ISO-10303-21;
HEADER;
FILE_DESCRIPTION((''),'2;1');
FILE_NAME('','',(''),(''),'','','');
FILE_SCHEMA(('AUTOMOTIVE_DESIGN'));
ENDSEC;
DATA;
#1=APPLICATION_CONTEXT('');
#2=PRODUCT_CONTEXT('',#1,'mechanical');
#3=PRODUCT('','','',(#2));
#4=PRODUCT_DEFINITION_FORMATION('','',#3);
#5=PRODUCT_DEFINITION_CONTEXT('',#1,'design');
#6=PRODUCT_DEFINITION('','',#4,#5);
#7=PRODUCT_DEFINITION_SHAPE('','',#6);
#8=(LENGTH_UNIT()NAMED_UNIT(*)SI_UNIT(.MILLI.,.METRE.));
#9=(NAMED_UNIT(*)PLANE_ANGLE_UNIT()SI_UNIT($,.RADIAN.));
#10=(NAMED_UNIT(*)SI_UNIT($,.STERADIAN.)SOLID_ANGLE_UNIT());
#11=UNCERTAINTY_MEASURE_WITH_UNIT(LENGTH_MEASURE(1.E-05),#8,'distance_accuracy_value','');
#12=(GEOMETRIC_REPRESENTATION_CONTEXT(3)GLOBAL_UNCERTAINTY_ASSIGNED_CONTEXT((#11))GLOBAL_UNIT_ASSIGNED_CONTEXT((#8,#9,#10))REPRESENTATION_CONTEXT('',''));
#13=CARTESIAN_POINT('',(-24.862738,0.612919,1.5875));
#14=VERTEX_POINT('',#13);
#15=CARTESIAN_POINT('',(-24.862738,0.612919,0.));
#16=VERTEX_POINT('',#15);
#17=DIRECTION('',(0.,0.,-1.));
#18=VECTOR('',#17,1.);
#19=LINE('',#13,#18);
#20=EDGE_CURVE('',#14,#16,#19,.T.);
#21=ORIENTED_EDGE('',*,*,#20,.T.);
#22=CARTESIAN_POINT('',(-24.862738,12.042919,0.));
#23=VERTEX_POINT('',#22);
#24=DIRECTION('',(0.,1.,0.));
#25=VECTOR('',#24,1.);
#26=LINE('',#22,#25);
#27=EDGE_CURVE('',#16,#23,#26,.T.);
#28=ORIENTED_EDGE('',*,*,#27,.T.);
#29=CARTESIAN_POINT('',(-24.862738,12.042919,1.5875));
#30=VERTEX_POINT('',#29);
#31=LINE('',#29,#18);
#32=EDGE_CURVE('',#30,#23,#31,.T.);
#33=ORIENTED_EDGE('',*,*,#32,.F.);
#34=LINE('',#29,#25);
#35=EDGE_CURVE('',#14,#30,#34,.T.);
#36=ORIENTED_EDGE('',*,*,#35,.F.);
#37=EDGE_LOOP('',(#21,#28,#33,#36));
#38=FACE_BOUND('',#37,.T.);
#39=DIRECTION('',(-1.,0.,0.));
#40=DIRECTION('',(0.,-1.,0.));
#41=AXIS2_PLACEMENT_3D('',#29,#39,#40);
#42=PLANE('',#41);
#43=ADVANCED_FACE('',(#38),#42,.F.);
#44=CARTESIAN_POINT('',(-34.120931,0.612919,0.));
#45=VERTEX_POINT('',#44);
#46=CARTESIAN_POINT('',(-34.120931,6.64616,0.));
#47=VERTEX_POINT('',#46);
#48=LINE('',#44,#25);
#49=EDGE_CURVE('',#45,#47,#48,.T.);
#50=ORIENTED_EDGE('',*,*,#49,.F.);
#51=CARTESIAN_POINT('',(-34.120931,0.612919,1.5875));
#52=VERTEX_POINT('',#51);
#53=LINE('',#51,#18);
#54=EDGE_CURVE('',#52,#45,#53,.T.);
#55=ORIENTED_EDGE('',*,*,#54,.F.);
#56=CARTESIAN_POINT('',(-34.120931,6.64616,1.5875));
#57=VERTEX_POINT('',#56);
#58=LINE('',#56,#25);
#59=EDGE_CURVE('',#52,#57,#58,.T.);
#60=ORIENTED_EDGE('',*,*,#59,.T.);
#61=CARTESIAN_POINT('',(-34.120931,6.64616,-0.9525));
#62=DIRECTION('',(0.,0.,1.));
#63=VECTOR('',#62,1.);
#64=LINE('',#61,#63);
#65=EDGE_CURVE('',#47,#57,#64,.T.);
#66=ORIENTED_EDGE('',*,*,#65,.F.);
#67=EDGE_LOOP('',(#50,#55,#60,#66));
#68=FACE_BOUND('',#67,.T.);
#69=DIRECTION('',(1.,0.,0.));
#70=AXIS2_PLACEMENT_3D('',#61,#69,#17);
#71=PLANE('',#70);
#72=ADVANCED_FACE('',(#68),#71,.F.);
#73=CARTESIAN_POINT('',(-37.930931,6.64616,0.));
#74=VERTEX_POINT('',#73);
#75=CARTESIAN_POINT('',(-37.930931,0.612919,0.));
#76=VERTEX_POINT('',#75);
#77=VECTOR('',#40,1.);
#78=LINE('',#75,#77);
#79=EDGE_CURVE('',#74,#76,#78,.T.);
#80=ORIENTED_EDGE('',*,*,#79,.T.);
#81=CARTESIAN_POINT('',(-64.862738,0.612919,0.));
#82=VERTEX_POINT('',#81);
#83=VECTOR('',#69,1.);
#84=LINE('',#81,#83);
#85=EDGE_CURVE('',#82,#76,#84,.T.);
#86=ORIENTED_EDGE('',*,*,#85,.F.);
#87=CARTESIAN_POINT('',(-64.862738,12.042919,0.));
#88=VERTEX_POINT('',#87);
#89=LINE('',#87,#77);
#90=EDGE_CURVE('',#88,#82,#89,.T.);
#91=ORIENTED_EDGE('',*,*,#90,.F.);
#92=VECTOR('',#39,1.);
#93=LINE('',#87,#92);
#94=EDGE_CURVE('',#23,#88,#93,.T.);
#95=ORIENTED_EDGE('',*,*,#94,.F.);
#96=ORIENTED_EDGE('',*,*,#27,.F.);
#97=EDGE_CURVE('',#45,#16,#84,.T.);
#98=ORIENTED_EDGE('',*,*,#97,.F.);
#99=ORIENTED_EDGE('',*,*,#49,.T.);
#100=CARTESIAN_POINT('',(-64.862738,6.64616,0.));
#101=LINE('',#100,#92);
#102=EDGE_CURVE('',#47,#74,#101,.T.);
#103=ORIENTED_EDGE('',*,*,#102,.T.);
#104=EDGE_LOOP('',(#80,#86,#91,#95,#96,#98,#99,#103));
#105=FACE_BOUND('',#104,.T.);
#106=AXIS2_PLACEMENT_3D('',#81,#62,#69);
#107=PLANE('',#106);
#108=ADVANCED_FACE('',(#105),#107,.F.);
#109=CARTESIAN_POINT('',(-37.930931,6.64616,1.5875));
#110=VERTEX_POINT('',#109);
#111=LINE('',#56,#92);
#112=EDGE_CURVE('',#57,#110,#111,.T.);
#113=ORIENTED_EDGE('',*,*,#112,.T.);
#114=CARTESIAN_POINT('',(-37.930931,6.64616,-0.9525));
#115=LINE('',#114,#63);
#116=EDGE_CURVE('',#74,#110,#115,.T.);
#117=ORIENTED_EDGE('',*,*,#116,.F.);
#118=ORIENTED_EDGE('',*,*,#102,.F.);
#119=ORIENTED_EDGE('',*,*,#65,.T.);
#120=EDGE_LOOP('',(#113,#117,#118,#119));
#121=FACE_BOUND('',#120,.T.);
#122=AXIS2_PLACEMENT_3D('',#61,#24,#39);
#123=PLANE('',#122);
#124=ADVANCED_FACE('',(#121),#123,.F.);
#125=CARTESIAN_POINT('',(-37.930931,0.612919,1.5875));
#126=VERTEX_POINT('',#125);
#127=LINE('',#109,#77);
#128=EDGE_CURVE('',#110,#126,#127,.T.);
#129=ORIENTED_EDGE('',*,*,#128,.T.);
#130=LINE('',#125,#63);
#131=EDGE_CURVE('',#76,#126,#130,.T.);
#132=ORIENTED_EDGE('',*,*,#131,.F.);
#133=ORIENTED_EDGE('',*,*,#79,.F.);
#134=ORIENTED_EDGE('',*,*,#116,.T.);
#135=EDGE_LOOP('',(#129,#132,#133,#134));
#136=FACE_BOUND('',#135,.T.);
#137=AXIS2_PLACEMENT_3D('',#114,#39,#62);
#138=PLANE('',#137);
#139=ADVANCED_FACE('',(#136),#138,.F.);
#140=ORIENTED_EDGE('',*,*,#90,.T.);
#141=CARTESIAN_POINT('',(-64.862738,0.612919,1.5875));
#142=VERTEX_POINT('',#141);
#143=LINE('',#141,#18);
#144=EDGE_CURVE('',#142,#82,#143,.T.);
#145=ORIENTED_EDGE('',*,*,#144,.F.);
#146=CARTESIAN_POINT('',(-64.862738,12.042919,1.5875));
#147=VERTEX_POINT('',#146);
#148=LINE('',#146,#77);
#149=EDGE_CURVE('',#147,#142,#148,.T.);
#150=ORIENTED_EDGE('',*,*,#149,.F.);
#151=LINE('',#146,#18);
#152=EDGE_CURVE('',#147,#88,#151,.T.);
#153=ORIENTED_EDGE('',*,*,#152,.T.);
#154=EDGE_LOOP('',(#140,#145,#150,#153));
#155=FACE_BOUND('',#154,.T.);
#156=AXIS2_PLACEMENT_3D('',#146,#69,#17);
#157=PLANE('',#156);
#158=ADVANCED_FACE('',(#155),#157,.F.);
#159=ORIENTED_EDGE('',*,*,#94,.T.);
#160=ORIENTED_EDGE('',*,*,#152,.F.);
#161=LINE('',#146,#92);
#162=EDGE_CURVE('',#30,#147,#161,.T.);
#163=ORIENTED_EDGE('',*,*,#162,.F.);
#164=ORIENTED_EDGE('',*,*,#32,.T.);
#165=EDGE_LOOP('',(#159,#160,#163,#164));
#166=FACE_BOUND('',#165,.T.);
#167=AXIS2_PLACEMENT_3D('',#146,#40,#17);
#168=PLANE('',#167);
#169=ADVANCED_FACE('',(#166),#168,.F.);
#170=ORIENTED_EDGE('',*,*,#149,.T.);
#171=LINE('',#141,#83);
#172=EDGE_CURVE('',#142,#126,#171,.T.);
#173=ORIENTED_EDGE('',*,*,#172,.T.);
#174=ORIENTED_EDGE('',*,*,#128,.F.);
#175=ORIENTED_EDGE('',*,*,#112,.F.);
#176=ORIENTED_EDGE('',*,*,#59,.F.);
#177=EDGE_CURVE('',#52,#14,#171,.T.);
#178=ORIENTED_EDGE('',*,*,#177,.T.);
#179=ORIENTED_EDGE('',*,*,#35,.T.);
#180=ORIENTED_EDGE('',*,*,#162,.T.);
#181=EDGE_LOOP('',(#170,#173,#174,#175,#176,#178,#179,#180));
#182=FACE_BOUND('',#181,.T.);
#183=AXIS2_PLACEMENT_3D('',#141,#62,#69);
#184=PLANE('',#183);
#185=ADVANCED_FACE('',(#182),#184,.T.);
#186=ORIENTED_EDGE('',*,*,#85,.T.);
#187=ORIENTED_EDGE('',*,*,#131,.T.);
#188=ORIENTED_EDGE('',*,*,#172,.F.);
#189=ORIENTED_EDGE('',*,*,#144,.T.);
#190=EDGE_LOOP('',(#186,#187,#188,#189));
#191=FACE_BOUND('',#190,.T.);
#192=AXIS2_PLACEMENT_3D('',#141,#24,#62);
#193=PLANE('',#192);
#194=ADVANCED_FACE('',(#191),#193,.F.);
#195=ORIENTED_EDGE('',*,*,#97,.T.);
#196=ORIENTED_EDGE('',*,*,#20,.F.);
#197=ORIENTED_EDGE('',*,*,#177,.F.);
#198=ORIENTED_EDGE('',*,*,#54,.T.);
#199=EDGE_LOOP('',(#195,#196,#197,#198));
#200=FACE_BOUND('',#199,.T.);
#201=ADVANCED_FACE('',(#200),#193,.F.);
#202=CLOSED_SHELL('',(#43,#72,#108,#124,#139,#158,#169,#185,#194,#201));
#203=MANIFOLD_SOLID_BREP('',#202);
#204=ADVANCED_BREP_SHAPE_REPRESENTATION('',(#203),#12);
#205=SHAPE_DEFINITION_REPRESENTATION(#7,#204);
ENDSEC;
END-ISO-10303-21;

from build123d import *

# Parameters (mm, degrees)
SKETCH1_W           = 40
SKETCH1_H           = 11.43
BOSS_EXTRUDE1_DEPTH = 1.5875
SKETCH2_W           = 3.81
SKETCH2_H           = 6.305748899
CUT_EXTRUDE1_DEPTH  = 2.54


with BuildPart() as part:
    # Sketch1 → Boss-Extrude1 (new body)
    with BuildSketch(Plane.XY):
        with Locations((-44.862738222, 6.327918823)):
            Rectangle(SKETCH1_W, SKETCH1_H)
    extrude(amount=BOSS_EXTRUDE1_DEPTH)

    # Sketch2 → Cut-Extrude1 (cut)
    with BuildSketch(Plane.XY.offset(1.5875)):
        with Locations((-36.025931104, 3.493285759)):
            Rectangle(SKETCH2_W, SKETCH2_H)
    extrude(amount=-CUT_EXTRUDE1_DEPTH, mode=Mode.SUBTRACT)


solid = part.part
